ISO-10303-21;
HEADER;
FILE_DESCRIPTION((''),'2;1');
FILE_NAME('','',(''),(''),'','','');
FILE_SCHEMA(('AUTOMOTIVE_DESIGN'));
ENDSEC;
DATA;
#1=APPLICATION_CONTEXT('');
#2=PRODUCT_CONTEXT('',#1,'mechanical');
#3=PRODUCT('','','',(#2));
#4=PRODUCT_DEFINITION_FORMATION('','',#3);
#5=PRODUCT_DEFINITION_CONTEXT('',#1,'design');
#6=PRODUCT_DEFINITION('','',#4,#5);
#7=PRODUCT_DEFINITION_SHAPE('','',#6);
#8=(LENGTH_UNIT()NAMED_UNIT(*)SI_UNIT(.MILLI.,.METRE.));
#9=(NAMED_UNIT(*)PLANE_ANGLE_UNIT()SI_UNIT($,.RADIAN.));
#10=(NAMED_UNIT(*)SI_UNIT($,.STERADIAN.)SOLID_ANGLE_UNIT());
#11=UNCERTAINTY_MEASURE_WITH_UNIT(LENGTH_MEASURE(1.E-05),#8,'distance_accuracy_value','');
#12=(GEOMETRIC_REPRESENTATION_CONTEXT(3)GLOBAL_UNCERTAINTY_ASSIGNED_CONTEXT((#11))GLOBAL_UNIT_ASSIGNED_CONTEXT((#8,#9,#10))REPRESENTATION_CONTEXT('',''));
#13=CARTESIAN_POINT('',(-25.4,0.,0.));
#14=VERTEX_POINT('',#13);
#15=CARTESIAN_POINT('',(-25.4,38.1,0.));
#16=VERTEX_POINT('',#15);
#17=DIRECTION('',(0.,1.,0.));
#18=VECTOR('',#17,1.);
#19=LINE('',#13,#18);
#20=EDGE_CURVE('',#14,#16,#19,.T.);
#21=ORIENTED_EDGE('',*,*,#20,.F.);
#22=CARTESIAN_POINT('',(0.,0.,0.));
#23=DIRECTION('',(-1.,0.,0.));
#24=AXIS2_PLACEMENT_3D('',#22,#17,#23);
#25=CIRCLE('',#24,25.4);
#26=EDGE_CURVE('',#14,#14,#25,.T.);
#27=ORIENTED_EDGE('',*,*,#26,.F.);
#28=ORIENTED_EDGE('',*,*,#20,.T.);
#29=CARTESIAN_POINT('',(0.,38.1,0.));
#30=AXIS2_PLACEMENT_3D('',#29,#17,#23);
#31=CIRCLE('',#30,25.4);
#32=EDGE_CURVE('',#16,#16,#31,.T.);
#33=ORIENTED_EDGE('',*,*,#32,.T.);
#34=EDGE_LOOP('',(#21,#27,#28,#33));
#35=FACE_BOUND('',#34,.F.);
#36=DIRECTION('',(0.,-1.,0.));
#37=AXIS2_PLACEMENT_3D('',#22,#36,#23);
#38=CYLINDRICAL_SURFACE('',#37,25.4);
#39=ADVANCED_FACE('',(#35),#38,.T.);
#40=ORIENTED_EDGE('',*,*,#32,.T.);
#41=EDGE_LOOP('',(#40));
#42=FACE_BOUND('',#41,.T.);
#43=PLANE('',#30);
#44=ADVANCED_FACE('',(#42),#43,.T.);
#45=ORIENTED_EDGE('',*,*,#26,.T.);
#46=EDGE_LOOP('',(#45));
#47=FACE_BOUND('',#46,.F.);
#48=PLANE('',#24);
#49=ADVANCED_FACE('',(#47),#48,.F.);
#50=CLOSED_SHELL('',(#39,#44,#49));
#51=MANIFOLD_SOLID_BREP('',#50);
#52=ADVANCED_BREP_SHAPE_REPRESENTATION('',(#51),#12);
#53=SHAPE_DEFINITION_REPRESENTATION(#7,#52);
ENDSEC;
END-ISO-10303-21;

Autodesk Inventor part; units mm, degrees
ref_plane "YZ Plane" through (0, 0, 0) normal (1, 0, 0) x (0, 1, 0)
ref_plane "XZ Plane" through (0, 0, 0) normal (0, 1, 0) x (-1, 0, 0)
ref_plane "XY Plane" through (0, 0, 0) normal (0, 0, 1) x (1, 0, 0)
sketch "Sketch1" plane through (0, 0, 0) normal (0, 1, 0) x (-1, 0, 0)
  circle A0 centre (0, 0) radius 25.4
  dimension "d0" = 50.8
extrude "Extrusion1" add sketch "Sketch1" along normal blind 38.1
sketch "Sketch3" plane through (0, 38.1, 0) normal (0, 1, 0) x (1, 0, 0)
  circle A0 centre (0, 0) radius 25.4 projected
  circle A1 centre (0, 0) radius 19.05
  dimension "d6" = 38.1
properties part number "rotating base"
